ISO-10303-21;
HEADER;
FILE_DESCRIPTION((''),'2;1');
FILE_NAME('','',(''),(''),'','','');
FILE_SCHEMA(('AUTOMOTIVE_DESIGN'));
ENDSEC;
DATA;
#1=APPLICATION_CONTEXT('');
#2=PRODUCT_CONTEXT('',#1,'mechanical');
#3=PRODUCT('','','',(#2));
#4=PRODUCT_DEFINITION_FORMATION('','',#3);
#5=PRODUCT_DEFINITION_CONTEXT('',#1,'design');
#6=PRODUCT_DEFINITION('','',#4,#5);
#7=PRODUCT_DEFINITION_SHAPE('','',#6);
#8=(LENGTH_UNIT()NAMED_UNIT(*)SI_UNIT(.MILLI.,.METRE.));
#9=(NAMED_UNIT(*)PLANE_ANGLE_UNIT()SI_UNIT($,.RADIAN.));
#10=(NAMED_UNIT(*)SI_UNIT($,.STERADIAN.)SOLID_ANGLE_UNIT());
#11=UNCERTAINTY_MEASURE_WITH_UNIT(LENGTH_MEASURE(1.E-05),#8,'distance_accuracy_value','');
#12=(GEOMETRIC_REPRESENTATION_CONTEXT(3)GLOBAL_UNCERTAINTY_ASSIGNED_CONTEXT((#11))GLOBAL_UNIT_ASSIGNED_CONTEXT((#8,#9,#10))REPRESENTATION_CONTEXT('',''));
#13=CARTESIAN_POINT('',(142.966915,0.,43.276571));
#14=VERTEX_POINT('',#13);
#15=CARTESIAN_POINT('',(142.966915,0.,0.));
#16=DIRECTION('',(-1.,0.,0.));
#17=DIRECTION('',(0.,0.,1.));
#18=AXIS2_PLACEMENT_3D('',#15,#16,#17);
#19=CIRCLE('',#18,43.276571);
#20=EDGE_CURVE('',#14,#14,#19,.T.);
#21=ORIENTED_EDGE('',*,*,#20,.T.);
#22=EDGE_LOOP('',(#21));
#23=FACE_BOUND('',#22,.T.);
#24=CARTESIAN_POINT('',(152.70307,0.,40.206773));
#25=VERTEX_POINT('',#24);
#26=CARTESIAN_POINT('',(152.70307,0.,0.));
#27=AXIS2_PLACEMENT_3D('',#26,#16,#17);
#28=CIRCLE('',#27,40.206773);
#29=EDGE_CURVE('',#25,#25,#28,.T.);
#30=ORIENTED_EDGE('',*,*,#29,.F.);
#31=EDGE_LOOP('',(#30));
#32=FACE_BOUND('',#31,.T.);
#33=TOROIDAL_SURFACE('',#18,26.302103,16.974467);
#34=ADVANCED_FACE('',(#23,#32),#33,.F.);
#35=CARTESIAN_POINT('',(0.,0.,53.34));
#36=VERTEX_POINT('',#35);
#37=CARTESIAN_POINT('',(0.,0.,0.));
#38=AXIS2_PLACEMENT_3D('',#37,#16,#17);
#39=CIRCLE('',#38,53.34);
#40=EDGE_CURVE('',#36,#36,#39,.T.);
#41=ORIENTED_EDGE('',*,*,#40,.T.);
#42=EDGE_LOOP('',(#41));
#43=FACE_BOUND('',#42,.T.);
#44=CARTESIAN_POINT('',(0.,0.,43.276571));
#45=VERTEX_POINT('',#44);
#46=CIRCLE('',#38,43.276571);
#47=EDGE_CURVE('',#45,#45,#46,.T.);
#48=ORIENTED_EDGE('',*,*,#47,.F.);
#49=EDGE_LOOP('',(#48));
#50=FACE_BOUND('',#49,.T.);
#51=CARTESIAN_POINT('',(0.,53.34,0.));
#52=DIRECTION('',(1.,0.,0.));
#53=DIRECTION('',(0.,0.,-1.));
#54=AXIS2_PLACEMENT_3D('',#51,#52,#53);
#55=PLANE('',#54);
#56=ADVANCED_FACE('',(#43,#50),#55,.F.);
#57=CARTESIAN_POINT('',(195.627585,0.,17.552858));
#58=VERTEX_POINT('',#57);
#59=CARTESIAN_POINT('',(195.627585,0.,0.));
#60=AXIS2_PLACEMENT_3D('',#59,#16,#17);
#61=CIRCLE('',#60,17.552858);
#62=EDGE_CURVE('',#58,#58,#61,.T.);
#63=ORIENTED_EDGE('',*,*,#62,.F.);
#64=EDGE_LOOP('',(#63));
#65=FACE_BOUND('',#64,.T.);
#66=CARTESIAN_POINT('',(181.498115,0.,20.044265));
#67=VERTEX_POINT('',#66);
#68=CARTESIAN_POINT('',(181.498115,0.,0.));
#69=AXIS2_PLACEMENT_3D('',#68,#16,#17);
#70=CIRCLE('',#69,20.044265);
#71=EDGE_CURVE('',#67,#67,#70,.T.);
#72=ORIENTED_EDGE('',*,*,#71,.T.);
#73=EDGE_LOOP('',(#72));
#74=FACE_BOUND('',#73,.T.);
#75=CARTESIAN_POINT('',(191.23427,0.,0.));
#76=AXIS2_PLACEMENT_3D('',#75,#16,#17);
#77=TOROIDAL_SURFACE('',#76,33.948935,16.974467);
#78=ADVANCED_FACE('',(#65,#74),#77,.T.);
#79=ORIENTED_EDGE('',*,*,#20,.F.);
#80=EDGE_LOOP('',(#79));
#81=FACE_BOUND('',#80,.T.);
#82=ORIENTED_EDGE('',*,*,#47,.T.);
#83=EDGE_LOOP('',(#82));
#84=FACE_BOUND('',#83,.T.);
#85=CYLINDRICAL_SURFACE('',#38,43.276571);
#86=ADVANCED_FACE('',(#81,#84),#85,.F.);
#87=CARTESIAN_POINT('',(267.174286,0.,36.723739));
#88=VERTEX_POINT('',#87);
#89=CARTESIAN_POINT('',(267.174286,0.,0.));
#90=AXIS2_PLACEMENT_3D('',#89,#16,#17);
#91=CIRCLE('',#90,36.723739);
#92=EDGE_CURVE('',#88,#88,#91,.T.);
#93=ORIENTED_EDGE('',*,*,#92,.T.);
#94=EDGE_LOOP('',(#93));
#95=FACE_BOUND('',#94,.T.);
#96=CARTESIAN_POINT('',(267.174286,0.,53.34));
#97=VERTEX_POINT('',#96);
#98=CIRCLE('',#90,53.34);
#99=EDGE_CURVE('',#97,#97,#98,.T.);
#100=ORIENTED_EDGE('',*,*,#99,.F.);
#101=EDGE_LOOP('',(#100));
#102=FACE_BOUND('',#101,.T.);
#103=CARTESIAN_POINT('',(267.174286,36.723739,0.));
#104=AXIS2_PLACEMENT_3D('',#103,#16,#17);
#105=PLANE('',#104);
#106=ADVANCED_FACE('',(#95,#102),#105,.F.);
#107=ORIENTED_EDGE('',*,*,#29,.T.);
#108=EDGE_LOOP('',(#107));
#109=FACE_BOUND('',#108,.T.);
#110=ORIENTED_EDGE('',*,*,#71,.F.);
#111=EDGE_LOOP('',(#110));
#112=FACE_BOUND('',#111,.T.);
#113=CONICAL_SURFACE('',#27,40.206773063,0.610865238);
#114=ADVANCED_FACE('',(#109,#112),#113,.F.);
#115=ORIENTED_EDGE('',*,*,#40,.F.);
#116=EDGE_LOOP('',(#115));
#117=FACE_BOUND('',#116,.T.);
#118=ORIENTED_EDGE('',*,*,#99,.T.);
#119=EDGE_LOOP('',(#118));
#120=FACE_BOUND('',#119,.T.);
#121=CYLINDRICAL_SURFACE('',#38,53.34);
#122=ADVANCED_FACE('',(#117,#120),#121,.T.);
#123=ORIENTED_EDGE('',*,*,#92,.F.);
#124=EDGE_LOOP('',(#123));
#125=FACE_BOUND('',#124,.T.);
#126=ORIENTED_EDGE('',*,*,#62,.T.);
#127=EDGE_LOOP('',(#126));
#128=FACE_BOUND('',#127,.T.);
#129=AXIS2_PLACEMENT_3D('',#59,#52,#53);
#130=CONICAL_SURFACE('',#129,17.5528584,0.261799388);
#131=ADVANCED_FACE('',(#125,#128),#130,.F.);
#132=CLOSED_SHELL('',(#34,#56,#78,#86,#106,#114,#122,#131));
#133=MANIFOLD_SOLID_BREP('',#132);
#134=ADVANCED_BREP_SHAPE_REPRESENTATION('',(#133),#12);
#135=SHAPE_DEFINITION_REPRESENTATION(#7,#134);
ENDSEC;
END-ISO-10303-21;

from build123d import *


with BuildPart() as part:
    # Sketch1 → Revolve1 (revolve)
    with BuildSketch(Plane.XY, mode=Mode.PRIVATE) as revolve1_sk:
        with BuildLine():
            Line((0, 53.34), (267.174285764, 53.34))
            Line((267.174285764, 53.34), (267.174285764, 36.7237391))
            Line((267.174285764, 36.7237391), (195.627584968, 17.5528584))
            ThreePointArc((195.627584968, 17.5528584), (188.286684173, 17.23234775), (181.498114964, 20.044265185))
            Line((181.498114964, 20.044265185), (152.703069528, 40.206773063))
            ThreePointArc((152.703069528, 40.206773063), (148.071235785, 42.490940687), (142.96691498, 43.2765708))
            Line((142.96691498, 43.2765708), (0, 43.2765708))
            Line((0, 43.2765708), (0, 53.34))
        make_face()
    revolve(revolve1_sk.sketch.rotate(Axis((0, 0, 0), (1, 0, 0)), 90), axis=Axis((0, 0, 0), (1, 0, 0)))


solid = part.part
